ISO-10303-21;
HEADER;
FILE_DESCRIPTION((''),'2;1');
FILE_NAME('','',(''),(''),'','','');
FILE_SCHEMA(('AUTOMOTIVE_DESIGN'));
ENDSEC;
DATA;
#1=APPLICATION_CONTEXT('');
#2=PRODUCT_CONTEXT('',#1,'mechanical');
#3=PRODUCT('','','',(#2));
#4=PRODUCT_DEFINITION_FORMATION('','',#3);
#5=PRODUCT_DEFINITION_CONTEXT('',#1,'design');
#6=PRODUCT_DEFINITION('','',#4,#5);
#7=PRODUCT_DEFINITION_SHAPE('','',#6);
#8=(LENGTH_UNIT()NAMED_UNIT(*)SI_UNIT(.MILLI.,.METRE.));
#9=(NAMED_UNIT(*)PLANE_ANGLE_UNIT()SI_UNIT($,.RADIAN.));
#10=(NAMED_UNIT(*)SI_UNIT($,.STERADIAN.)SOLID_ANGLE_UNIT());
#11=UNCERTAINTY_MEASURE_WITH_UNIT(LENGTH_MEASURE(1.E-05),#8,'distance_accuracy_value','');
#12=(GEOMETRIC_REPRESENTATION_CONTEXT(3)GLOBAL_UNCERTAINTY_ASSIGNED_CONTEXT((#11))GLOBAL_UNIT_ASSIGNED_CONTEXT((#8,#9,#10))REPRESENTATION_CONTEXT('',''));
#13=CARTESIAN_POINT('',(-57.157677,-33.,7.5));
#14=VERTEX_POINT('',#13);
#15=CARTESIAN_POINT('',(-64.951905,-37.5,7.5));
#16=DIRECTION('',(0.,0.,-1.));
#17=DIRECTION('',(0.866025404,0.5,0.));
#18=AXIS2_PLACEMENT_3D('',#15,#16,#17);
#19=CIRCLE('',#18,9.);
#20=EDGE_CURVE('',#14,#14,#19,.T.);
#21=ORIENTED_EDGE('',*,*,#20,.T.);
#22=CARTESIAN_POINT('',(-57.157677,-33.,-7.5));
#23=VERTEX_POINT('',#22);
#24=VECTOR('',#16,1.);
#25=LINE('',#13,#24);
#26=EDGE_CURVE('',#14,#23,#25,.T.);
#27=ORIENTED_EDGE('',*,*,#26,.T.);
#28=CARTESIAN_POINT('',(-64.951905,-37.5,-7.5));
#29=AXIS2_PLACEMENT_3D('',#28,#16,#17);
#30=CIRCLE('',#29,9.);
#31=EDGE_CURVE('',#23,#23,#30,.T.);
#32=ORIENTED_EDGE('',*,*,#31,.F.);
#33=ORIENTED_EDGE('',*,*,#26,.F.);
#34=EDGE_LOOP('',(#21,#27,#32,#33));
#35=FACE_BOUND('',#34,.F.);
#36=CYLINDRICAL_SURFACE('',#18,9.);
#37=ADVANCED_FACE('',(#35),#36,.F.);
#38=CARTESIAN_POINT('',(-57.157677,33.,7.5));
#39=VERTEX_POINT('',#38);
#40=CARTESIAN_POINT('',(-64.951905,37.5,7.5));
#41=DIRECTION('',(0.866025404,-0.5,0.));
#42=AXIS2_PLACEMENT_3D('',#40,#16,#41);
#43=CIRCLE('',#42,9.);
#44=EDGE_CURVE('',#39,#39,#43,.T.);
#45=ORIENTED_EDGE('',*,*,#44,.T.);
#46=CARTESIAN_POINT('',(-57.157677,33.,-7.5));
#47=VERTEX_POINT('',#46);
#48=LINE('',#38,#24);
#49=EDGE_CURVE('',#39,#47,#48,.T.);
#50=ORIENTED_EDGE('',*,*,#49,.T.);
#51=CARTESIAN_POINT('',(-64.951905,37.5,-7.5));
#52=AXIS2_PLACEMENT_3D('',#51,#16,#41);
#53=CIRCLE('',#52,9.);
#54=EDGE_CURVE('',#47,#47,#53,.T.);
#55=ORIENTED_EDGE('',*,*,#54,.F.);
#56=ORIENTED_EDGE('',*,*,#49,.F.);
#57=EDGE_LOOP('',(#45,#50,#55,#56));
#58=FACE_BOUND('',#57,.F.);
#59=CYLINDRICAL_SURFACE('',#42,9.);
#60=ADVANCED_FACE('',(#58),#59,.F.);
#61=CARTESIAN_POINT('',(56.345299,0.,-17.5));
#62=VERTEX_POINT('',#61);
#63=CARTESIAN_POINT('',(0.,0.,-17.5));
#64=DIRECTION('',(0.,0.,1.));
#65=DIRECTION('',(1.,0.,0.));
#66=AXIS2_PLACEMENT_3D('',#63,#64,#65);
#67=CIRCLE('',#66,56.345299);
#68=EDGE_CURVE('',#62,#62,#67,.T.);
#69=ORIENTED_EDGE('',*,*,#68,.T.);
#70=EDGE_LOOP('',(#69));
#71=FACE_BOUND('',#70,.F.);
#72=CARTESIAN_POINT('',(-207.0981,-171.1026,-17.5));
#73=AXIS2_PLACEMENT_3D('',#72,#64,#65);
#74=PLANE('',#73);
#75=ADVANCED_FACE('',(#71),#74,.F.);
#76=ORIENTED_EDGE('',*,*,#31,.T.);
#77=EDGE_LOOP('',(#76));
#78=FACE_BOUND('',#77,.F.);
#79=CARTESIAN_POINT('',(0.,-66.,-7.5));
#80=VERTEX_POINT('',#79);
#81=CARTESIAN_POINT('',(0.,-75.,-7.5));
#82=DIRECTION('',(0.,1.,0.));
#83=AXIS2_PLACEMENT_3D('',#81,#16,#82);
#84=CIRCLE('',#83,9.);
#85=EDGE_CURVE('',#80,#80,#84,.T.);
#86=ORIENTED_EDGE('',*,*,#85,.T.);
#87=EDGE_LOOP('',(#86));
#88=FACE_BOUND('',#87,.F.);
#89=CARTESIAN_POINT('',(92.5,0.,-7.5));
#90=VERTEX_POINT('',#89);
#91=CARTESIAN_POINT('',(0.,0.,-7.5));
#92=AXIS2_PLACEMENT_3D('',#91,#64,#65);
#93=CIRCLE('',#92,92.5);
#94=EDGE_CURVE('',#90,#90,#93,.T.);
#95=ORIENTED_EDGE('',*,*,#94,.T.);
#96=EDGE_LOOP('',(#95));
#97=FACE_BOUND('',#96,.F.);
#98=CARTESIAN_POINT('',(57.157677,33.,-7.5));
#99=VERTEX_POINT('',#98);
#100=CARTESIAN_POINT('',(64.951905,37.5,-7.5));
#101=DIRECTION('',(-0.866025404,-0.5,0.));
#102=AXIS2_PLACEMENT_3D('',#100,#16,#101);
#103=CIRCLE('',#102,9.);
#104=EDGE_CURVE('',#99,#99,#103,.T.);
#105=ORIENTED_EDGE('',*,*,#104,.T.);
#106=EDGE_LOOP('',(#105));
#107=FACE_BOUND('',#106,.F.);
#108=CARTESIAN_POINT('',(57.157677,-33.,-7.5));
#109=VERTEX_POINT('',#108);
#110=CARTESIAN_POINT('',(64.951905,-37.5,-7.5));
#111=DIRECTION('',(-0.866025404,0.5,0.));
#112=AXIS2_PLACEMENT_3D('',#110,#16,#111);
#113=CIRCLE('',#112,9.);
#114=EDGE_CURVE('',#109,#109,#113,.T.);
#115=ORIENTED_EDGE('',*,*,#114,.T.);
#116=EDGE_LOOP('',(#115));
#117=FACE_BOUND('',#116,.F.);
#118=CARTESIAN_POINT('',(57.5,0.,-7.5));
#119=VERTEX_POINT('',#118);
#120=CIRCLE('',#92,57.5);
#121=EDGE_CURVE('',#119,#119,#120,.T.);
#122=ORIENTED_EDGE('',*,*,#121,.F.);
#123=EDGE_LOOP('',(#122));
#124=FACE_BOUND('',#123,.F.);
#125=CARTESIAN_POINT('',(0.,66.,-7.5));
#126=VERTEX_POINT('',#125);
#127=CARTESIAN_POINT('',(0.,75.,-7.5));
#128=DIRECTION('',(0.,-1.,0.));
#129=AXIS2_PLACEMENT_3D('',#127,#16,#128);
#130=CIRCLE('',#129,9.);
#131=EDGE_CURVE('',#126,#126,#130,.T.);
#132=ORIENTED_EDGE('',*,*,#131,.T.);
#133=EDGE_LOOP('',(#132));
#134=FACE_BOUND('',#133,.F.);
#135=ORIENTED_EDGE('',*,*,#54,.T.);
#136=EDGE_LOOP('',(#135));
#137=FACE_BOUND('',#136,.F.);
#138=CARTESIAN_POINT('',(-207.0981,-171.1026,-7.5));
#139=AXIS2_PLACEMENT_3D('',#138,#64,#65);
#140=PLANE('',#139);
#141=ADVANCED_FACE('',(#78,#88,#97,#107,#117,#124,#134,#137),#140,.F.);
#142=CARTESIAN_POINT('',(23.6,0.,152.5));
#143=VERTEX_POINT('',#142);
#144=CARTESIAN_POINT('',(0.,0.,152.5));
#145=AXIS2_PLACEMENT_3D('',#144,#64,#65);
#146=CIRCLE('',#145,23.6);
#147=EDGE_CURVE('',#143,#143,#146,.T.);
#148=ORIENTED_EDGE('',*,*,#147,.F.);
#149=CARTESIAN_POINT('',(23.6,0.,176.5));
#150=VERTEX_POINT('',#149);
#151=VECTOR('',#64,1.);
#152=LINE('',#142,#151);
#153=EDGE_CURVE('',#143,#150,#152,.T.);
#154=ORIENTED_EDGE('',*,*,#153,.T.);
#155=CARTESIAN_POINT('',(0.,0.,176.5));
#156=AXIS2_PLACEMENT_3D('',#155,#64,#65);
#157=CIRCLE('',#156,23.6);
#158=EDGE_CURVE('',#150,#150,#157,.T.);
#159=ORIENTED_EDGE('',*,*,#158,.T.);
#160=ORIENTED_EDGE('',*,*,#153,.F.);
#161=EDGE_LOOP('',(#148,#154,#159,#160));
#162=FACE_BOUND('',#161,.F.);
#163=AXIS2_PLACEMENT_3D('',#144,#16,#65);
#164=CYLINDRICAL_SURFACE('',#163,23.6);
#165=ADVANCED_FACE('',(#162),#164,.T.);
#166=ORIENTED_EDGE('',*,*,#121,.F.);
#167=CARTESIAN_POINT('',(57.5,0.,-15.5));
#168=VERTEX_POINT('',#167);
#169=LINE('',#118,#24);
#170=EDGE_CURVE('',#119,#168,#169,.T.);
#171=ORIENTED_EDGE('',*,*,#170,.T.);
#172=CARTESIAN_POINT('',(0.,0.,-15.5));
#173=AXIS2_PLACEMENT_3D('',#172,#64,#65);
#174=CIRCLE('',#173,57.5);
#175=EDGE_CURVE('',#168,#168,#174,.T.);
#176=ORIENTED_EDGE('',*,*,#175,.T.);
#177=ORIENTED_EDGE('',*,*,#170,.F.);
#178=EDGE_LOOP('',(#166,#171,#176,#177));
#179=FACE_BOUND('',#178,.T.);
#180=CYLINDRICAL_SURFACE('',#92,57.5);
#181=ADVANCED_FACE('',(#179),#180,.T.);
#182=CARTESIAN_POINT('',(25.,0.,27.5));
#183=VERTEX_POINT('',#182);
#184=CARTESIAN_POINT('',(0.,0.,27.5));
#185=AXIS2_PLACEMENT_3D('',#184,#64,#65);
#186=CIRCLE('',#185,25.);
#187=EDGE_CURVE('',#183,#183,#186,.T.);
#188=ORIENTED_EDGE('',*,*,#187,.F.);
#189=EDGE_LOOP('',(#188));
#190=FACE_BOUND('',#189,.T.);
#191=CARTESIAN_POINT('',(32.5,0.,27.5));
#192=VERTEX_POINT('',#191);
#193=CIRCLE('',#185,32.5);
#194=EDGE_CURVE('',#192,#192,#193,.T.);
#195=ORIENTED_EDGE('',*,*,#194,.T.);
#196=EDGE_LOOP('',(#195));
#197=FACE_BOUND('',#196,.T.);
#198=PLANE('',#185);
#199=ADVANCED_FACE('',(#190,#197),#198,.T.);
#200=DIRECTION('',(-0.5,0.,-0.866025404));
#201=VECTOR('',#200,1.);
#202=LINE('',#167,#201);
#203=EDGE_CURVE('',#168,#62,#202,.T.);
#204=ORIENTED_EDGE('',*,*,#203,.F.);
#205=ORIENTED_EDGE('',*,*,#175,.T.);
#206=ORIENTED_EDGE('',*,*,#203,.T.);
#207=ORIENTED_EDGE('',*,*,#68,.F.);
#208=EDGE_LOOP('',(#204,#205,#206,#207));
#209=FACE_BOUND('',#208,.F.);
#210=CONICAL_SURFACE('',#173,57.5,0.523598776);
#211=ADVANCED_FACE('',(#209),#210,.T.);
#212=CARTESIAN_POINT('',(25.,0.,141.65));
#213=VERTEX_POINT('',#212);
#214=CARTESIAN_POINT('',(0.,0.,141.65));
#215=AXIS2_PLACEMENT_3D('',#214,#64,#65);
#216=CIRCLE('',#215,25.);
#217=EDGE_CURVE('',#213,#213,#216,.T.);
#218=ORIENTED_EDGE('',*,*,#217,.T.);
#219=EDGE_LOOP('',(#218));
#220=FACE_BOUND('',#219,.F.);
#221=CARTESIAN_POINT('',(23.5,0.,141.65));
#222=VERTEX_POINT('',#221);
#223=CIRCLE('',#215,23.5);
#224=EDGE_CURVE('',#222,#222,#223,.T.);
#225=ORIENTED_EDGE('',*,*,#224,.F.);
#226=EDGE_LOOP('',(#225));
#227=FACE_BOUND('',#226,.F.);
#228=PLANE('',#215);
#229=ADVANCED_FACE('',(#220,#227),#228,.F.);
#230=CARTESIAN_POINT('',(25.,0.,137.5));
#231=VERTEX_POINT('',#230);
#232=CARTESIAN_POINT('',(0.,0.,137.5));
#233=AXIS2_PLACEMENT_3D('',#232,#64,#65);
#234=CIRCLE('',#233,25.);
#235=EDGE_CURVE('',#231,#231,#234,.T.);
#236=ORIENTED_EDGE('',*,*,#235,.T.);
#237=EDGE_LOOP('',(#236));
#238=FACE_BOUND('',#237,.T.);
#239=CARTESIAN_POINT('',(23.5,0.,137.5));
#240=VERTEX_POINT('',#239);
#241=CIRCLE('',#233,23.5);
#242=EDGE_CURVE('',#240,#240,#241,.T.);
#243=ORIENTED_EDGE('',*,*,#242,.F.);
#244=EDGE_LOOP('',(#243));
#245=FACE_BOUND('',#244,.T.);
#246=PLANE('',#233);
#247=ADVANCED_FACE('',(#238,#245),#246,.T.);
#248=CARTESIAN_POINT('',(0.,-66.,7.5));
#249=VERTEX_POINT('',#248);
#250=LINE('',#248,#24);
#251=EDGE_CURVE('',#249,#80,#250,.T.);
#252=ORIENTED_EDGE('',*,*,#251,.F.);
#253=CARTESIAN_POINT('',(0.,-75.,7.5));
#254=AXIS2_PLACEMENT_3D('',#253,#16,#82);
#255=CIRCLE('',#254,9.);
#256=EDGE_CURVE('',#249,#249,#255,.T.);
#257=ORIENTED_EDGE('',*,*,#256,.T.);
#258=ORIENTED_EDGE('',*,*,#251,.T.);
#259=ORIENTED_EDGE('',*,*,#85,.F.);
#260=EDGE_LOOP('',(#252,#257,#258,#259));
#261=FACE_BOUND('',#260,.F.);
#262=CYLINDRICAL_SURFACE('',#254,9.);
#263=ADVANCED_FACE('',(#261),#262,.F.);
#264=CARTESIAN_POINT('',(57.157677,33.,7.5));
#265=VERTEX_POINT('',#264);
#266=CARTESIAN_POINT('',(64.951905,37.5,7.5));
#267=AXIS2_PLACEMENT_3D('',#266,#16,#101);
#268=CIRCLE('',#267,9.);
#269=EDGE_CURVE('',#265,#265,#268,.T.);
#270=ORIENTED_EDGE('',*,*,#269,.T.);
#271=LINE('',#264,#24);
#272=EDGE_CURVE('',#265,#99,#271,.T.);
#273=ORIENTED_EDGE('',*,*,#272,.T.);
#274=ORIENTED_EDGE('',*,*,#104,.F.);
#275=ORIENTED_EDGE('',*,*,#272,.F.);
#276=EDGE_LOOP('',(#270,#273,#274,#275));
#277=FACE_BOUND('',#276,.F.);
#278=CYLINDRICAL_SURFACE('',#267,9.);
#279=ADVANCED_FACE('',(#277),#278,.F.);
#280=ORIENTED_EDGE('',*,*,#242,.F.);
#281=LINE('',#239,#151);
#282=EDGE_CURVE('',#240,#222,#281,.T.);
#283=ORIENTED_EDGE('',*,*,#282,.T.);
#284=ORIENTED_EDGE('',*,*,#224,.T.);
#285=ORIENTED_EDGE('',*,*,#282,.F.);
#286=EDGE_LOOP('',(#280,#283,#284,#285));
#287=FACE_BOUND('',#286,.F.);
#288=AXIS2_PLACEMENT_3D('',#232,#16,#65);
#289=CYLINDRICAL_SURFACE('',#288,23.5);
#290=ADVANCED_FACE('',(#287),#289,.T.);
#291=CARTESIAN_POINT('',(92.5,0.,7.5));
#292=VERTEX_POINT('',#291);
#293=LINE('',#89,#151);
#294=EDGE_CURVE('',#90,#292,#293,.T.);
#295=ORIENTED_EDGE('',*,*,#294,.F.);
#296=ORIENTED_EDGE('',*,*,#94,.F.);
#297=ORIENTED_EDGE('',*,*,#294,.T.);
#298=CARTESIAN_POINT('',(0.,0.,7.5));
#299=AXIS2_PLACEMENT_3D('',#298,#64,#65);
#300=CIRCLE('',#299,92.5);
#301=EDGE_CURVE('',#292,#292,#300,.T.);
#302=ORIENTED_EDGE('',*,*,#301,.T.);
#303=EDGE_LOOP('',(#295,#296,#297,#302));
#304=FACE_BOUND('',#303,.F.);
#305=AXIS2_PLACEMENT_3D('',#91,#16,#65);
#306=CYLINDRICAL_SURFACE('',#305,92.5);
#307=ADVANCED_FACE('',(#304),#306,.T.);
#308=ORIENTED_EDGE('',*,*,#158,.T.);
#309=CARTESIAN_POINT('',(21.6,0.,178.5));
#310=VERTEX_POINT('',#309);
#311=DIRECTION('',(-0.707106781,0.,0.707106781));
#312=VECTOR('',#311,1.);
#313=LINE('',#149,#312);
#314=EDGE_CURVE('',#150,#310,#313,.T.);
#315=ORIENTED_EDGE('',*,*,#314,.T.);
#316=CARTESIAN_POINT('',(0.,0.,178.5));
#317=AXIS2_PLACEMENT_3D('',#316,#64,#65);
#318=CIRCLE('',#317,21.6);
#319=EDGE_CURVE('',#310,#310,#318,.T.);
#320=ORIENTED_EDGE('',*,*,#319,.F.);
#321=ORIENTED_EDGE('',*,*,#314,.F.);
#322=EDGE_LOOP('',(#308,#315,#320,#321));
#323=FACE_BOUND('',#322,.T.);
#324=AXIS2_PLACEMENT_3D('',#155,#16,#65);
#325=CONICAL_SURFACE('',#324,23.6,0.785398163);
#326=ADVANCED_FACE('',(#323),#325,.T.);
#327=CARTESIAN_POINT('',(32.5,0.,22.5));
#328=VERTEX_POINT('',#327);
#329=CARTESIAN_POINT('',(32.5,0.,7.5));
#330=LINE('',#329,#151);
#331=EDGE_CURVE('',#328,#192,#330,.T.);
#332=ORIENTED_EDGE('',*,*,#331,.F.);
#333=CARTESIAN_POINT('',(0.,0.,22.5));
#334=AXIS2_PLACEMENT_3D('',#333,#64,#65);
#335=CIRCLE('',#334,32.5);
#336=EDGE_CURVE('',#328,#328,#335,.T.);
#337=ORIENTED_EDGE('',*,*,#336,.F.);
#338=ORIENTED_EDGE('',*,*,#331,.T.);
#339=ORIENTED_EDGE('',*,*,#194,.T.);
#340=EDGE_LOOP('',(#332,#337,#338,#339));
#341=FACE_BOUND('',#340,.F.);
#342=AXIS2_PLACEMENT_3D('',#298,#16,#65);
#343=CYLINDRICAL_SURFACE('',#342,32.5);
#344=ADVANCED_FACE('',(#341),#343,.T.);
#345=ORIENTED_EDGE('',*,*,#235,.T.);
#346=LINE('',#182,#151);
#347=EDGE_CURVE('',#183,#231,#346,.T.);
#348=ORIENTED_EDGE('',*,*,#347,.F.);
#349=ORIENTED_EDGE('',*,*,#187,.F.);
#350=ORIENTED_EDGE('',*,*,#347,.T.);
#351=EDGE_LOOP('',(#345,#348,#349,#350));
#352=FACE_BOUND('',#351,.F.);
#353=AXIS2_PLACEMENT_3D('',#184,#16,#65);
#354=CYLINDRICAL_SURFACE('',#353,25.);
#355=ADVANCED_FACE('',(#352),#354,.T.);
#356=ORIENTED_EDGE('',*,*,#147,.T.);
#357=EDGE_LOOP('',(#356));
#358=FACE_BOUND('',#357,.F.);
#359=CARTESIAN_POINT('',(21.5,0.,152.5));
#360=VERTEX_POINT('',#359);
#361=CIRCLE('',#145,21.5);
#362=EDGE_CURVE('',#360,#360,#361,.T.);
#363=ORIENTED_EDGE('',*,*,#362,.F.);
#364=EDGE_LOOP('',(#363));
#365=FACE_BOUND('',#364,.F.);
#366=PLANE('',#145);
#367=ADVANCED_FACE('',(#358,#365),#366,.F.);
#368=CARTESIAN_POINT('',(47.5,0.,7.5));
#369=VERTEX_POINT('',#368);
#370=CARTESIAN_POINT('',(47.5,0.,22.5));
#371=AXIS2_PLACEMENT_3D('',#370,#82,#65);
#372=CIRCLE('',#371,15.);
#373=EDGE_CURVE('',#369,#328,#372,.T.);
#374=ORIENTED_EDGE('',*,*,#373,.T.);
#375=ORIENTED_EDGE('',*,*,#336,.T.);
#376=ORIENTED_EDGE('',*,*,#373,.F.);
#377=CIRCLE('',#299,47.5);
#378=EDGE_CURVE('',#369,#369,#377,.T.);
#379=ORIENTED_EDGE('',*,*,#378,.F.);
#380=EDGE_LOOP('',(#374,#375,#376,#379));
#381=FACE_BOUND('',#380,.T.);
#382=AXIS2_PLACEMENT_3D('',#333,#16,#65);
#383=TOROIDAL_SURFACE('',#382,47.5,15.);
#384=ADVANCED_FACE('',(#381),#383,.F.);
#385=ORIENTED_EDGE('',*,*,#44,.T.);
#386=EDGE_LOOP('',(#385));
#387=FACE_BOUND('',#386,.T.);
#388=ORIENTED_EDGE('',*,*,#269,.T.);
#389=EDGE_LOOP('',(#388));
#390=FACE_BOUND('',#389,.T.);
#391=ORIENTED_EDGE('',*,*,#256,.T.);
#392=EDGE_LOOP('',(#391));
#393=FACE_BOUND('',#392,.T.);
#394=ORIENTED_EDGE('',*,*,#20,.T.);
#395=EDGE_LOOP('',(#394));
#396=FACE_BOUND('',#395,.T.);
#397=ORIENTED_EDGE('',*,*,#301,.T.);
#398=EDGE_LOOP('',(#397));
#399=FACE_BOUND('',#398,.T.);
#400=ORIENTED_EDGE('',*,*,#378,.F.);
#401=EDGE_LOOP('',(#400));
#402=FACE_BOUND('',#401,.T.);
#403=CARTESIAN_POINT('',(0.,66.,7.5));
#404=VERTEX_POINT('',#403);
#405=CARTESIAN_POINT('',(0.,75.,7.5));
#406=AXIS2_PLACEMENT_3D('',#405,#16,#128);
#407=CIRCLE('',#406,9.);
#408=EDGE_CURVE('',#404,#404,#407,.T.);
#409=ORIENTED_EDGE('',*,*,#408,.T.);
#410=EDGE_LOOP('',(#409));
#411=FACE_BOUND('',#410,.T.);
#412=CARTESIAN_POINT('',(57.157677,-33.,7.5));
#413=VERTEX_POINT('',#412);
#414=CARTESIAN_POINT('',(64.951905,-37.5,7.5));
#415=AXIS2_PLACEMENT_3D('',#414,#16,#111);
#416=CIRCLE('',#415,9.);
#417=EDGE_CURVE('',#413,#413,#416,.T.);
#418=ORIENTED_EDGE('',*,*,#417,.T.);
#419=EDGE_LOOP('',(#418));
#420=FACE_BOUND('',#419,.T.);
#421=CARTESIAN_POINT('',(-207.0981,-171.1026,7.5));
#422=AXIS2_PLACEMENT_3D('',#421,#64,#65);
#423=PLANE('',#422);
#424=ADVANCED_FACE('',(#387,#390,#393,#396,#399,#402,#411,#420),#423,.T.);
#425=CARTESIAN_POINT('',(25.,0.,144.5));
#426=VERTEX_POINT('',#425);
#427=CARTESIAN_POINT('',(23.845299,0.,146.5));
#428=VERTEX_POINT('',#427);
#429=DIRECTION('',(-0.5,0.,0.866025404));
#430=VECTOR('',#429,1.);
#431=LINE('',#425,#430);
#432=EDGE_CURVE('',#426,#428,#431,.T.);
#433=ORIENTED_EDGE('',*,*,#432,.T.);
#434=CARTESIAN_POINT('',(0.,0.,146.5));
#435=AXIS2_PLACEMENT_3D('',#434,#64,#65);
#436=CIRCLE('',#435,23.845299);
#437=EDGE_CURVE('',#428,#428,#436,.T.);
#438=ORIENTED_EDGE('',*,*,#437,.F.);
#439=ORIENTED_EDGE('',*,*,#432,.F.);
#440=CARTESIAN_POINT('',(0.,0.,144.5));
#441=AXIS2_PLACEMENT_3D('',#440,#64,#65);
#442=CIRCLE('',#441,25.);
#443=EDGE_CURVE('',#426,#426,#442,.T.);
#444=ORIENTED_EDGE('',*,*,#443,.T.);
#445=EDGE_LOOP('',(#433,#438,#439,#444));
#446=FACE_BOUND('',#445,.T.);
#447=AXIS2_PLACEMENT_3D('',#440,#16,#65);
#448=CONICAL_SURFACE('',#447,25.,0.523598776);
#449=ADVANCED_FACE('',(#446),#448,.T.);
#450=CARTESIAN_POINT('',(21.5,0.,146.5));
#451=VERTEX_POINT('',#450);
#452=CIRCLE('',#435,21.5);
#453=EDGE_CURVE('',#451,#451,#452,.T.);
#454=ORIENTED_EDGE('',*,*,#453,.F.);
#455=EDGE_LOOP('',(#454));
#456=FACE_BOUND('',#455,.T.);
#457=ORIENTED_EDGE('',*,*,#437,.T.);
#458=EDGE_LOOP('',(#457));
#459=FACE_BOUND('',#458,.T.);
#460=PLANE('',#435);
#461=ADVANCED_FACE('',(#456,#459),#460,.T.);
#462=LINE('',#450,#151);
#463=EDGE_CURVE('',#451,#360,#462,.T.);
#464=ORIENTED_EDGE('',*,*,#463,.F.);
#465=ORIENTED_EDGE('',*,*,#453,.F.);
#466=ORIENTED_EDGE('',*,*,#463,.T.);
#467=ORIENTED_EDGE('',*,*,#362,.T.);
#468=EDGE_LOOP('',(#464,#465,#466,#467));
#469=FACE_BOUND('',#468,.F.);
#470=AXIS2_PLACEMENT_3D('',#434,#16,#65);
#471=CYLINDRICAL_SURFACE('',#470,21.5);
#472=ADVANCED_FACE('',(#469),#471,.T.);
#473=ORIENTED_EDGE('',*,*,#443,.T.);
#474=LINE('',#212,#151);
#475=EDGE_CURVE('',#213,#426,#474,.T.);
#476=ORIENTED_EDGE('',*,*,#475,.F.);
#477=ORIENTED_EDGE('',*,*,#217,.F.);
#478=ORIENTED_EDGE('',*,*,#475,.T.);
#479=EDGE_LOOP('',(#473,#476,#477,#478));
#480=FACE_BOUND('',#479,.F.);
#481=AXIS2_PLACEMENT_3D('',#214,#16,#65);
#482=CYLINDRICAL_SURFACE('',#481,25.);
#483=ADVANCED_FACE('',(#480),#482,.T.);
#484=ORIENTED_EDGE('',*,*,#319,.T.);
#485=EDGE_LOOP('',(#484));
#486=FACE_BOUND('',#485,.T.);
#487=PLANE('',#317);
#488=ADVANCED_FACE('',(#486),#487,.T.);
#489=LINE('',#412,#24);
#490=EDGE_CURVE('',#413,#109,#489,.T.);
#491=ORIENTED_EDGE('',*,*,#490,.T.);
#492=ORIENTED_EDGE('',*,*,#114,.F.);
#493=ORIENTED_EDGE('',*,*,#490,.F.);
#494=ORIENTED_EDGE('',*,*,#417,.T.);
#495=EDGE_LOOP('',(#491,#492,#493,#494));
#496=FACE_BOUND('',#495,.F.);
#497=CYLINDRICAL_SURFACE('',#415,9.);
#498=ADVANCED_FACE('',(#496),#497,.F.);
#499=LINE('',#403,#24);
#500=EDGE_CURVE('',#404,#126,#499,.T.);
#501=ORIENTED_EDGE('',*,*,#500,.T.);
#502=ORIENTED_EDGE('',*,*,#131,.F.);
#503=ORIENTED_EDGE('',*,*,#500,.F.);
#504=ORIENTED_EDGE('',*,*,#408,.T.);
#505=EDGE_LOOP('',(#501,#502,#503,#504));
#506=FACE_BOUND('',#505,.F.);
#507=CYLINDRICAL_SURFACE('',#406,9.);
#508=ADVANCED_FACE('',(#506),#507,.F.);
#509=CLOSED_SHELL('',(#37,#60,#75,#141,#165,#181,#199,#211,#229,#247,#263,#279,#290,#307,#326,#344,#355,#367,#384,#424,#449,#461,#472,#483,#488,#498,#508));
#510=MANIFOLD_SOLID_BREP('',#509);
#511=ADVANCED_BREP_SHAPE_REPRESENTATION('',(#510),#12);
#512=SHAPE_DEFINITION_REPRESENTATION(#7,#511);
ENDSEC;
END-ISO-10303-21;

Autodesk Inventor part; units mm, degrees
ref_plane "YZ Plane" through (0, 0, 0) normal (1, 0, 0) x (0, 1, 0)
ref_plane "XZ Plane" through (0, 0, 0) normal (0, 1, 0) x (-1, 0, 0)
ref_plane "XY Plane" through (0, 0, 0) normal (0, 0, 1) x (1, 0, 0)
sketch "Sketch1" plane through (-207.0981, -171.1026, -7.5) normal (0, 0, 1) x (1, 0, 0)
  circle A0 centre (207.0981, 171.1026) radius 92.5
  dimension "d40" = 185
extrude "ExtrusionBlind1" add sketch "Sketch1" along normal blind 15
sketch "Sketch2" plane through (-207.0981, -171.1026, -7.5) normal (0, 0, 1) x (1, 0, 0)
  circle A0 centre (207.0981, 171.1026) radius 57.5
  circle A1 centre (207.0981, 171.1026) radius 92.5 projected
  dimension "d41" = 115
extrude "ExtrusionBlind2" add sketch "Sketch2" against normal blind 10 contours A0
chamfer "Chamfer1" distance 2 angle 30 1 edges at (-57.5, 0, -17.5) measured on face at (-40.0277, -41.2799, -14.1667)
sketch "Sketch4" plane through (0, 0, 7.5) normal (0, 0, 1) x (1, 0, 0)
  circle A0 centre (0, 0) radius 32.5
  circle A1 centre (0, 0) radius 92.5 projected
  dimension "d42" = 65
extrude "ExtrusionBlind3" add sketch "Sketch4" along normal blind 20 contours A0
fillet "Fillet1" radius 15 1 edges at (-32.5, 0, 7.5)
sketch "Sketch5" plane through (0, 0, 27.5) normal (0, 0, 1) x (1, 0, 0)
  circle A0 centre (0, 0) radius 25
  circle A1 centre (0, 0) radius 32.5 projected
  dimension "d43" = 50
extrude "ExtrusionBlind4" add sketch "Sketch5" along normal blind 110 contours A0
sketch "Sketch6" plane through (0, 0, 137.5) normal (0, 0, 1) x (1, 0, 0)
  circle A0 centre (0, 0) radius 23.5
  circle A1 centre (0, 0) radius 25 projected
  dimension "d44" = 47
extrude "ExtrusionBlind5" add sketch "Sketch6" along normal blind 4.15 contours A0
sketch "Sketch7" plane through (0, 0, 141.65) normal (0, 0, 1) x (1, 0, 0)
  circle A0 centre (0, 0) radius 25
  circle A1 centre (0, 0) radius 23.5 projected
  dimension "d45" = 50
extrude "ExtrusionBlind6" add sketch "Sketch7" along normal blind 4.85 contours A0 | A1
chamfer "Chamfer2" distance 2 angle 30 1 edges at (-25, 0, 146.5) measured on face at (24.9189, -2.0117, 144.8833)
sketch "Sketch8" plane through (0, 0, 146.5) normal (0, 0, 1) x (1, 0, 0)
  circle A0 centre (0, 0) radius 21.5
  circle A1 centre (0, 0) radius 23.8453 projected
  dimension "d46" = 43
extrude "ExtrusionBlind7" add sketch "Sketch8" along normal blind 6 contours A0
sketch "Sketch9" plane through (0, 0, 152.5) normal (0, 0, 1) x (1, 0, 0)
  circle A0 centre (0, 0) radius 23.6
  circle A1 centre (0, 0) radius 21.5 projected
  dimension "d47" = 47.2
extrude "ExtrusionBlind8" add sketch "Sketch9" along normal blind 26 contours A0 | A1
chamfer "Chamfer3" distance 2 angle 45 1 edges at (-23.6, 0, 178.5)
sketch "Sketch12" plane through (0, 0, 7.5) normal (0, 0, 1) x (1, 0, 0)
  circle A0 centre (0, 0) radius 92.5 projected
  line L0 (0, 0) -> (0, 75) construction
  dimension "d51" = 75
hole "Hole2" at (0, 75, 7.5) direction (0, 0, -1) diameter 18 end through all clearance for "Hex Head Bolt" size "M16" standard "Ansi Metric M Profile"
pattern_circular "Circular Pattern2" count 6 over 360 about axis through (0, 0, -7.5) along (0, 0, 1) of "Hole2"
properties part number "7055-191 PART1" material "Steel, Mild"
